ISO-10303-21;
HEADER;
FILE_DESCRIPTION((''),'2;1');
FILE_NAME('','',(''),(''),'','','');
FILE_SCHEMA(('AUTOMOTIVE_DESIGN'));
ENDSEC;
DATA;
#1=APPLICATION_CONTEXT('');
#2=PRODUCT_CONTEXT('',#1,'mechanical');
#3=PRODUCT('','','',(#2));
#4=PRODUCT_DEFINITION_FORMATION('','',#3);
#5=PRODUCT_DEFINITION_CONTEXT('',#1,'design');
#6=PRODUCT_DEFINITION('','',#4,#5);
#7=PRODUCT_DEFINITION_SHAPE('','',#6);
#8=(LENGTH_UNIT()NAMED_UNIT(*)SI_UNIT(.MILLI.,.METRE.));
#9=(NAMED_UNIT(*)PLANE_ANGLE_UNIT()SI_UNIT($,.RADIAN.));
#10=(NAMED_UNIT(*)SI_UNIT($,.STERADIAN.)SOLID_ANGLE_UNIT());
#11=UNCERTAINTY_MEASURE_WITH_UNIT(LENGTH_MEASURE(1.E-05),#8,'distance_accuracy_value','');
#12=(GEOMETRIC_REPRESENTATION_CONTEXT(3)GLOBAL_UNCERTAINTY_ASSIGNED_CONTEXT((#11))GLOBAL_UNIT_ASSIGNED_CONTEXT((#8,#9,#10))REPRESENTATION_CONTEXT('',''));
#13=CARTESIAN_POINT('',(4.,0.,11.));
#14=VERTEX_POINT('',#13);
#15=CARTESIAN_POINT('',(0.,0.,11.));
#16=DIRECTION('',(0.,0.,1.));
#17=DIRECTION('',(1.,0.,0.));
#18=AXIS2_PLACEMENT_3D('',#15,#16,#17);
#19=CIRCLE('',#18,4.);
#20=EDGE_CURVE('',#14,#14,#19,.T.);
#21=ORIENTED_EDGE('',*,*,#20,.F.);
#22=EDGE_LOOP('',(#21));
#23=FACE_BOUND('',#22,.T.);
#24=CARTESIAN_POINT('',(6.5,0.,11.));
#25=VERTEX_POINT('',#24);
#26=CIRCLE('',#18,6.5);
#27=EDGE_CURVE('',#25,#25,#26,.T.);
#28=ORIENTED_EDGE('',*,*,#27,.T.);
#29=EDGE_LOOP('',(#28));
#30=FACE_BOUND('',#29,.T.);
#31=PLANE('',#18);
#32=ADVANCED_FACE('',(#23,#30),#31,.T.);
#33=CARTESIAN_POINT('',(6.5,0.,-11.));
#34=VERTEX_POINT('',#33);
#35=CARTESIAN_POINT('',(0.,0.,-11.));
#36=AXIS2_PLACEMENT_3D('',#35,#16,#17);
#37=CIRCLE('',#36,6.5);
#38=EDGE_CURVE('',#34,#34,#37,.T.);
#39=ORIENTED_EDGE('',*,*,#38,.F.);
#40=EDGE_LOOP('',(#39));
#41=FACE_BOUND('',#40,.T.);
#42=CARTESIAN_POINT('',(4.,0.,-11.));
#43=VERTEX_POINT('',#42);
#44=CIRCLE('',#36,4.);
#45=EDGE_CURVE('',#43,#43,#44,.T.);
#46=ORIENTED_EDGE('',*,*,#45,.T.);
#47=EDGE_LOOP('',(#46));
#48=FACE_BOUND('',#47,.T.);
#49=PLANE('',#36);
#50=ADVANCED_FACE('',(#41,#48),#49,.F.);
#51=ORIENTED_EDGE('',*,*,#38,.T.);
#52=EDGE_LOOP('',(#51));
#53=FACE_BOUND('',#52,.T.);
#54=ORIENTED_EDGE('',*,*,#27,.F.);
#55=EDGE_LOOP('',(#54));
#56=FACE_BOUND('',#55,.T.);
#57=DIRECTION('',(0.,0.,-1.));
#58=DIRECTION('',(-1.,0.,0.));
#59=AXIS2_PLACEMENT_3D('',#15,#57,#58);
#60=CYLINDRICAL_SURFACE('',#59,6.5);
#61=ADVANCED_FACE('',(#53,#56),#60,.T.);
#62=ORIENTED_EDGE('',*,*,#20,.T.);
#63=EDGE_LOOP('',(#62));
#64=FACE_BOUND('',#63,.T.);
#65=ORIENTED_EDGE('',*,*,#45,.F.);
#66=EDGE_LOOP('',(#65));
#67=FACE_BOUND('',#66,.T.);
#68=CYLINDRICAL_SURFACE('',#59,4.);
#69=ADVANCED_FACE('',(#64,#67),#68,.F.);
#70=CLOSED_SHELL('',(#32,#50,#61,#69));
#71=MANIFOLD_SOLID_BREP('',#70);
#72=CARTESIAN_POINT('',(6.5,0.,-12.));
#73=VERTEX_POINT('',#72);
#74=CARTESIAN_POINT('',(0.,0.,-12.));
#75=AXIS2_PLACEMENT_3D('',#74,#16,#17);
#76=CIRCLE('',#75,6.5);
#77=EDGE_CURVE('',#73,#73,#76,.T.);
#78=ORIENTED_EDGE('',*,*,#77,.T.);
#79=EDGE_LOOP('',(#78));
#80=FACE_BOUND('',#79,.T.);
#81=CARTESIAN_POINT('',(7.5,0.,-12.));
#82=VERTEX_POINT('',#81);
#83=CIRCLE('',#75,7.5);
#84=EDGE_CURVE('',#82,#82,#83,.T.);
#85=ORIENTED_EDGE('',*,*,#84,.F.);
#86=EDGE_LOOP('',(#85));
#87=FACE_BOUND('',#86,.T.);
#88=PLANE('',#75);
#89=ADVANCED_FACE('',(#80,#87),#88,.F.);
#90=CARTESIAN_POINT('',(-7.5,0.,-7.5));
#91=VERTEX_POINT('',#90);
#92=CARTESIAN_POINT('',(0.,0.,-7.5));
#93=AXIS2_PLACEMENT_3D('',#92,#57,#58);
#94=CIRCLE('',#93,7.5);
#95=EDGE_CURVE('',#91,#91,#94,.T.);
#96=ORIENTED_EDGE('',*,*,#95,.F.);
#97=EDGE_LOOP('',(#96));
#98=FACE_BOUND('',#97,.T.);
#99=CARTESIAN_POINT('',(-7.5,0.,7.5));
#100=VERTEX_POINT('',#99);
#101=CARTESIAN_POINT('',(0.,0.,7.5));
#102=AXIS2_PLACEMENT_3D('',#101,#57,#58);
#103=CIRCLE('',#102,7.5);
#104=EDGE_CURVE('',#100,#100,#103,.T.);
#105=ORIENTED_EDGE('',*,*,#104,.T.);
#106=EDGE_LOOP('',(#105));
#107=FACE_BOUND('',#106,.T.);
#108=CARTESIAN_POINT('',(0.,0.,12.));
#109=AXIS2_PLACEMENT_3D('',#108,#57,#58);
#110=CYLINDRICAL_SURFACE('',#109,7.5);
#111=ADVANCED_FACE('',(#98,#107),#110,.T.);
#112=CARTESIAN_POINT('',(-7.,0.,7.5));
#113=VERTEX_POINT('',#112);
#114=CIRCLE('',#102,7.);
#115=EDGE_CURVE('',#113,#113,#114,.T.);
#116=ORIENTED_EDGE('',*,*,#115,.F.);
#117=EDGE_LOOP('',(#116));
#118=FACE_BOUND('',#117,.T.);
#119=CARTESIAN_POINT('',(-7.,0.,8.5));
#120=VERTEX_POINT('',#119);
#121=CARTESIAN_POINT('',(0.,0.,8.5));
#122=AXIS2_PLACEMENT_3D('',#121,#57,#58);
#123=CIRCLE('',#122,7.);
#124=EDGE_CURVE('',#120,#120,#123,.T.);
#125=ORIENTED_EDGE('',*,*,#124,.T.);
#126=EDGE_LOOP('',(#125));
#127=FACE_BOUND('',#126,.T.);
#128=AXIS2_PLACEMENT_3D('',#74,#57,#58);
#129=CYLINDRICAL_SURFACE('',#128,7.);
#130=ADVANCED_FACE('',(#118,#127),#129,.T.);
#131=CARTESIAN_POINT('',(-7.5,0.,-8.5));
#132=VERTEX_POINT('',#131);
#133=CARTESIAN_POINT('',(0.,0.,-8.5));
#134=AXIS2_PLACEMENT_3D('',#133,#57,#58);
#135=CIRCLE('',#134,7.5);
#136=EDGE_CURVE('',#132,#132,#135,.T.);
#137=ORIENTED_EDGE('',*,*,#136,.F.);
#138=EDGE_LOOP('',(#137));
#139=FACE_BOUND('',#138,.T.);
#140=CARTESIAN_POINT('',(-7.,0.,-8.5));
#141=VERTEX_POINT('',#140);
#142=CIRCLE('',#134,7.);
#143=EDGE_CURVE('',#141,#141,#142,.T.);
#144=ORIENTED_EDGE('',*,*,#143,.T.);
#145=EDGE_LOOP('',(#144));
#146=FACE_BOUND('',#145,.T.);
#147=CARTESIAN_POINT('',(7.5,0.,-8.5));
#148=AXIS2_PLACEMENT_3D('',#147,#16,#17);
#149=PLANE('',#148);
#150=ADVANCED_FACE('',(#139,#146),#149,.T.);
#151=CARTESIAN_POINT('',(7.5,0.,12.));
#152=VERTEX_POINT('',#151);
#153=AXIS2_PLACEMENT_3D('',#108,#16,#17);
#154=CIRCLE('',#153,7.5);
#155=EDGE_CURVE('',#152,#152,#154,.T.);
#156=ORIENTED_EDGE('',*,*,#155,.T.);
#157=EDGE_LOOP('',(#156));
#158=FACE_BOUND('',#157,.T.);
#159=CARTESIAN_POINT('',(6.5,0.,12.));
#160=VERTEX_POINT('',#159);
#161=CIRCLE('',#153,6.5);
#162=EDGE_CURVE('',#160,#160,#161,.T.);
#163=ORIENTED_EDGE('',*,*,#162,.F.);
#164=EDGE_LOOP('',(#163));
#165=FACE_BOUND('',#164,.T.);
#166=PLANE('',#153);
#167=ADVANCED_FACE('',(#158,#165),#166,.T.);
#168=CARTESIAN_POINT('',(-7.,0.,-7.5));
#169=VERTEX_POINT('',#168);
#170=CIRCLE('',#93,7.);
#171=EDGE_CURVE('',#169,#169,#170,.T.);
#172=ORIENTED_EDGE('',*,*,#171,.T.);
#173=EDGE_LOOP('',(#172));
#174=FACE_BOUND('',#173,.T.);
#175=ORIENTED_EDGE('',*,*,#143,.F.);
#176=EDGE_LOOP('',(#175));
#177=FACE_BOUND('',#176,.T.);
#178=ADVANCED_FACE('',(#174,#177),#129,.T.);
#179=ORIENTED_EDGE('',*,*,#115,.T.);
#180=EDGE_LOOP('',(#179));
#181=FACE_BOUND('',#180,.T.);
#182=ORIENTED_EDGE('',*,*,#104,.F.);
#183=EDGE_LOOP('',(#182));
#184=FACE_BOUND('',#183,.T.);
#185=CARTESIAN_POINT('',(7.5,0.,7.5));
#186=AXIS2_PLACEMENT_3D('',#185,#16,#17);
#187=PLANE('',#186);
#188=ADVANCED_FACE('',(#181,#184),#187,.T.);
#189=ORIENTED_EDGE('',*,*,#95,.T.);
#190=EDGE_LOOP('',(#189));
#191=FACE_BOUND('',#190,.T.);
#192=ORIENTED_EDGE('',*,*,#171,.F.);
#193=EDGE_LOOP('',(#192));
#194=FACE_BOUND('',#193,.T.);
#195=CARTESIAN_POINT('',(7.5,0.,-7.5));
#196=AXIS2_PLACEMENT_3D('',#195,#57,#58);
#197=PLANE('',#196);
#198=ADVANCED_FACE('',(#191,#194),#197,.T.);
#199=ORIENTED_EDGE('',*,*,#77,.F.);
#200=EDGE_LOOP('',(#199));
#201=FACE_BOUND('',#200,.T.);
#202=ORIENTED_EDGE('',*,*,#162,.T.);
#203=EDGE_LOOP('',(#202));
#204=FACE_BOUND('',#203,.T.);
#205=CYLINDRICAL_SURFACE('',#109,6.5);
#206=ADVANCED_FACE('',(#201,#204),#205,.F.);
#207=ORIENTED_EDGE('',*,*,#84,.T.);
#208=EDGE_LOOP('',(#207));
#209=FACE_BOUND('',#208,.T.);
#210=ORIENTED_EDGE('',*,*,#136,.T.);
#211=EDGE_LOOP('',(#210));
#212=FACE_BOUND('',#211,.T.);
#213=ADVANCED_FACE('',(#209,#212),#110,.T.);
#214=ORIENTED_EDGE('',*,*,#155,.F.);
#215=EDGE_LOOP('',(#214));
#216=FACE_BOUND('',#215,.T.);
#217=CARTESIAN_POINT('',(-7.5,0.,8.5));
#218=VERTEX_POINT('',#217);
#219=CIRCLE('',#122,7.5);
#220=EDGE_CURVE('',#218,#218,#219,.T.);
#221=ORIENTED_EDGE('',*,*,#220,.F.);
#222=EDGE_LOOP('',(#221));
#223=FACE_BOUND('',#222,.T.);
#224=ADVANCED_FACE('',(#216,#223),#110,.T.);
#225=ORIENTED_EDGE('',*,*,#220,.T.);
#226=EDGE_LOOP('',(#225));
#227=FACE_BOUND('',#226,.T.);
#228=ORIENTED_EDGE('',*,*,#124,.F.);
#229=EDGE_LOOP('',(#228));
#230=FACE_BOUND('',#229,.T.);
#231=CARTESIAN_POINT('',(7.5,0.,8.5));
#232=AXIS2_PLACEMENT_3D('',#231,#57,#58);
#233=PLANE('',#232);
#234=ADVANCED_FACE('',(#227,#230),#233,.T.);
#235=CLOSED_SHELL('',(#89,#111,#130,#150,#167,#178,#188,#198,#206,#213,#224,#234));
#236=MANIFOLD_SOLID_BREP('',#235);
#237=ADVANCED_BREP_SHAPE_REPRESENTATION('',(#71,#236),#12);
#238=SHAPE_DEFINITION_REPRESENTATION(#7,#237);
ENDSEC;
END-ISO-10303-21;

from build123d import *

# Parameters (mm, degrees)
SKETCH1_R           = 7.5
SKETCH1_R_2         = 6.5
BOSS_EXTRUDE1_DEPTH = 12
SKETCH2_R           = 6.5
SKETCH2_R_2         = 4
BOSS_EXTRUDE2_DEPTH = 11
SKETCH3_W           = 0.5
SKETCH3_H           = 1


with BuildPart() as part:
    # Sketch1 → Boss-Extrude1 (new body, symmetric)
    with BuildSketch(Plane.XY):
        Circle(SKETCH1_R)
        Circle(SKETCH1_R_2, mode=Mode.SUBTRACT)
    extrude(amount=BOSS_EXTRUDE1_DEPTH, both=True)

    # Sketch3 → Cut-Revolve1 (revolve, cut)
    with BuildSketch(Plane(origin=(0, 0, 0), x_dir=(1, 0, 0), z_dir=(0, 1, 0))):
        with Locations((7.25, 8)):
            Rectangle(SKETCH3_W, SKETCH3_H)
        with Locations((7.25, -8)):
            Rectangle(SKETCH3_W, SKETCH3_H)
    revolve(axis=Axis((0, 0, -12), (0, 0, 1)), mode=Mode.SUBTRACT)


with BuildPart() as body_2:
    # Sketch2 → Boss-Extrude2 (new body, symmetric)
    with BuildSketch(Plane.XY):
        Circle(SKETCH2_R)
        Circle(SKETCH2_R_2, mode=Mode.SUBTRACT)
    extrude(amount=BOSS_EXTRUDE2_DEPTH, both=True)


solid = Compound([part.part, body_2.part])
